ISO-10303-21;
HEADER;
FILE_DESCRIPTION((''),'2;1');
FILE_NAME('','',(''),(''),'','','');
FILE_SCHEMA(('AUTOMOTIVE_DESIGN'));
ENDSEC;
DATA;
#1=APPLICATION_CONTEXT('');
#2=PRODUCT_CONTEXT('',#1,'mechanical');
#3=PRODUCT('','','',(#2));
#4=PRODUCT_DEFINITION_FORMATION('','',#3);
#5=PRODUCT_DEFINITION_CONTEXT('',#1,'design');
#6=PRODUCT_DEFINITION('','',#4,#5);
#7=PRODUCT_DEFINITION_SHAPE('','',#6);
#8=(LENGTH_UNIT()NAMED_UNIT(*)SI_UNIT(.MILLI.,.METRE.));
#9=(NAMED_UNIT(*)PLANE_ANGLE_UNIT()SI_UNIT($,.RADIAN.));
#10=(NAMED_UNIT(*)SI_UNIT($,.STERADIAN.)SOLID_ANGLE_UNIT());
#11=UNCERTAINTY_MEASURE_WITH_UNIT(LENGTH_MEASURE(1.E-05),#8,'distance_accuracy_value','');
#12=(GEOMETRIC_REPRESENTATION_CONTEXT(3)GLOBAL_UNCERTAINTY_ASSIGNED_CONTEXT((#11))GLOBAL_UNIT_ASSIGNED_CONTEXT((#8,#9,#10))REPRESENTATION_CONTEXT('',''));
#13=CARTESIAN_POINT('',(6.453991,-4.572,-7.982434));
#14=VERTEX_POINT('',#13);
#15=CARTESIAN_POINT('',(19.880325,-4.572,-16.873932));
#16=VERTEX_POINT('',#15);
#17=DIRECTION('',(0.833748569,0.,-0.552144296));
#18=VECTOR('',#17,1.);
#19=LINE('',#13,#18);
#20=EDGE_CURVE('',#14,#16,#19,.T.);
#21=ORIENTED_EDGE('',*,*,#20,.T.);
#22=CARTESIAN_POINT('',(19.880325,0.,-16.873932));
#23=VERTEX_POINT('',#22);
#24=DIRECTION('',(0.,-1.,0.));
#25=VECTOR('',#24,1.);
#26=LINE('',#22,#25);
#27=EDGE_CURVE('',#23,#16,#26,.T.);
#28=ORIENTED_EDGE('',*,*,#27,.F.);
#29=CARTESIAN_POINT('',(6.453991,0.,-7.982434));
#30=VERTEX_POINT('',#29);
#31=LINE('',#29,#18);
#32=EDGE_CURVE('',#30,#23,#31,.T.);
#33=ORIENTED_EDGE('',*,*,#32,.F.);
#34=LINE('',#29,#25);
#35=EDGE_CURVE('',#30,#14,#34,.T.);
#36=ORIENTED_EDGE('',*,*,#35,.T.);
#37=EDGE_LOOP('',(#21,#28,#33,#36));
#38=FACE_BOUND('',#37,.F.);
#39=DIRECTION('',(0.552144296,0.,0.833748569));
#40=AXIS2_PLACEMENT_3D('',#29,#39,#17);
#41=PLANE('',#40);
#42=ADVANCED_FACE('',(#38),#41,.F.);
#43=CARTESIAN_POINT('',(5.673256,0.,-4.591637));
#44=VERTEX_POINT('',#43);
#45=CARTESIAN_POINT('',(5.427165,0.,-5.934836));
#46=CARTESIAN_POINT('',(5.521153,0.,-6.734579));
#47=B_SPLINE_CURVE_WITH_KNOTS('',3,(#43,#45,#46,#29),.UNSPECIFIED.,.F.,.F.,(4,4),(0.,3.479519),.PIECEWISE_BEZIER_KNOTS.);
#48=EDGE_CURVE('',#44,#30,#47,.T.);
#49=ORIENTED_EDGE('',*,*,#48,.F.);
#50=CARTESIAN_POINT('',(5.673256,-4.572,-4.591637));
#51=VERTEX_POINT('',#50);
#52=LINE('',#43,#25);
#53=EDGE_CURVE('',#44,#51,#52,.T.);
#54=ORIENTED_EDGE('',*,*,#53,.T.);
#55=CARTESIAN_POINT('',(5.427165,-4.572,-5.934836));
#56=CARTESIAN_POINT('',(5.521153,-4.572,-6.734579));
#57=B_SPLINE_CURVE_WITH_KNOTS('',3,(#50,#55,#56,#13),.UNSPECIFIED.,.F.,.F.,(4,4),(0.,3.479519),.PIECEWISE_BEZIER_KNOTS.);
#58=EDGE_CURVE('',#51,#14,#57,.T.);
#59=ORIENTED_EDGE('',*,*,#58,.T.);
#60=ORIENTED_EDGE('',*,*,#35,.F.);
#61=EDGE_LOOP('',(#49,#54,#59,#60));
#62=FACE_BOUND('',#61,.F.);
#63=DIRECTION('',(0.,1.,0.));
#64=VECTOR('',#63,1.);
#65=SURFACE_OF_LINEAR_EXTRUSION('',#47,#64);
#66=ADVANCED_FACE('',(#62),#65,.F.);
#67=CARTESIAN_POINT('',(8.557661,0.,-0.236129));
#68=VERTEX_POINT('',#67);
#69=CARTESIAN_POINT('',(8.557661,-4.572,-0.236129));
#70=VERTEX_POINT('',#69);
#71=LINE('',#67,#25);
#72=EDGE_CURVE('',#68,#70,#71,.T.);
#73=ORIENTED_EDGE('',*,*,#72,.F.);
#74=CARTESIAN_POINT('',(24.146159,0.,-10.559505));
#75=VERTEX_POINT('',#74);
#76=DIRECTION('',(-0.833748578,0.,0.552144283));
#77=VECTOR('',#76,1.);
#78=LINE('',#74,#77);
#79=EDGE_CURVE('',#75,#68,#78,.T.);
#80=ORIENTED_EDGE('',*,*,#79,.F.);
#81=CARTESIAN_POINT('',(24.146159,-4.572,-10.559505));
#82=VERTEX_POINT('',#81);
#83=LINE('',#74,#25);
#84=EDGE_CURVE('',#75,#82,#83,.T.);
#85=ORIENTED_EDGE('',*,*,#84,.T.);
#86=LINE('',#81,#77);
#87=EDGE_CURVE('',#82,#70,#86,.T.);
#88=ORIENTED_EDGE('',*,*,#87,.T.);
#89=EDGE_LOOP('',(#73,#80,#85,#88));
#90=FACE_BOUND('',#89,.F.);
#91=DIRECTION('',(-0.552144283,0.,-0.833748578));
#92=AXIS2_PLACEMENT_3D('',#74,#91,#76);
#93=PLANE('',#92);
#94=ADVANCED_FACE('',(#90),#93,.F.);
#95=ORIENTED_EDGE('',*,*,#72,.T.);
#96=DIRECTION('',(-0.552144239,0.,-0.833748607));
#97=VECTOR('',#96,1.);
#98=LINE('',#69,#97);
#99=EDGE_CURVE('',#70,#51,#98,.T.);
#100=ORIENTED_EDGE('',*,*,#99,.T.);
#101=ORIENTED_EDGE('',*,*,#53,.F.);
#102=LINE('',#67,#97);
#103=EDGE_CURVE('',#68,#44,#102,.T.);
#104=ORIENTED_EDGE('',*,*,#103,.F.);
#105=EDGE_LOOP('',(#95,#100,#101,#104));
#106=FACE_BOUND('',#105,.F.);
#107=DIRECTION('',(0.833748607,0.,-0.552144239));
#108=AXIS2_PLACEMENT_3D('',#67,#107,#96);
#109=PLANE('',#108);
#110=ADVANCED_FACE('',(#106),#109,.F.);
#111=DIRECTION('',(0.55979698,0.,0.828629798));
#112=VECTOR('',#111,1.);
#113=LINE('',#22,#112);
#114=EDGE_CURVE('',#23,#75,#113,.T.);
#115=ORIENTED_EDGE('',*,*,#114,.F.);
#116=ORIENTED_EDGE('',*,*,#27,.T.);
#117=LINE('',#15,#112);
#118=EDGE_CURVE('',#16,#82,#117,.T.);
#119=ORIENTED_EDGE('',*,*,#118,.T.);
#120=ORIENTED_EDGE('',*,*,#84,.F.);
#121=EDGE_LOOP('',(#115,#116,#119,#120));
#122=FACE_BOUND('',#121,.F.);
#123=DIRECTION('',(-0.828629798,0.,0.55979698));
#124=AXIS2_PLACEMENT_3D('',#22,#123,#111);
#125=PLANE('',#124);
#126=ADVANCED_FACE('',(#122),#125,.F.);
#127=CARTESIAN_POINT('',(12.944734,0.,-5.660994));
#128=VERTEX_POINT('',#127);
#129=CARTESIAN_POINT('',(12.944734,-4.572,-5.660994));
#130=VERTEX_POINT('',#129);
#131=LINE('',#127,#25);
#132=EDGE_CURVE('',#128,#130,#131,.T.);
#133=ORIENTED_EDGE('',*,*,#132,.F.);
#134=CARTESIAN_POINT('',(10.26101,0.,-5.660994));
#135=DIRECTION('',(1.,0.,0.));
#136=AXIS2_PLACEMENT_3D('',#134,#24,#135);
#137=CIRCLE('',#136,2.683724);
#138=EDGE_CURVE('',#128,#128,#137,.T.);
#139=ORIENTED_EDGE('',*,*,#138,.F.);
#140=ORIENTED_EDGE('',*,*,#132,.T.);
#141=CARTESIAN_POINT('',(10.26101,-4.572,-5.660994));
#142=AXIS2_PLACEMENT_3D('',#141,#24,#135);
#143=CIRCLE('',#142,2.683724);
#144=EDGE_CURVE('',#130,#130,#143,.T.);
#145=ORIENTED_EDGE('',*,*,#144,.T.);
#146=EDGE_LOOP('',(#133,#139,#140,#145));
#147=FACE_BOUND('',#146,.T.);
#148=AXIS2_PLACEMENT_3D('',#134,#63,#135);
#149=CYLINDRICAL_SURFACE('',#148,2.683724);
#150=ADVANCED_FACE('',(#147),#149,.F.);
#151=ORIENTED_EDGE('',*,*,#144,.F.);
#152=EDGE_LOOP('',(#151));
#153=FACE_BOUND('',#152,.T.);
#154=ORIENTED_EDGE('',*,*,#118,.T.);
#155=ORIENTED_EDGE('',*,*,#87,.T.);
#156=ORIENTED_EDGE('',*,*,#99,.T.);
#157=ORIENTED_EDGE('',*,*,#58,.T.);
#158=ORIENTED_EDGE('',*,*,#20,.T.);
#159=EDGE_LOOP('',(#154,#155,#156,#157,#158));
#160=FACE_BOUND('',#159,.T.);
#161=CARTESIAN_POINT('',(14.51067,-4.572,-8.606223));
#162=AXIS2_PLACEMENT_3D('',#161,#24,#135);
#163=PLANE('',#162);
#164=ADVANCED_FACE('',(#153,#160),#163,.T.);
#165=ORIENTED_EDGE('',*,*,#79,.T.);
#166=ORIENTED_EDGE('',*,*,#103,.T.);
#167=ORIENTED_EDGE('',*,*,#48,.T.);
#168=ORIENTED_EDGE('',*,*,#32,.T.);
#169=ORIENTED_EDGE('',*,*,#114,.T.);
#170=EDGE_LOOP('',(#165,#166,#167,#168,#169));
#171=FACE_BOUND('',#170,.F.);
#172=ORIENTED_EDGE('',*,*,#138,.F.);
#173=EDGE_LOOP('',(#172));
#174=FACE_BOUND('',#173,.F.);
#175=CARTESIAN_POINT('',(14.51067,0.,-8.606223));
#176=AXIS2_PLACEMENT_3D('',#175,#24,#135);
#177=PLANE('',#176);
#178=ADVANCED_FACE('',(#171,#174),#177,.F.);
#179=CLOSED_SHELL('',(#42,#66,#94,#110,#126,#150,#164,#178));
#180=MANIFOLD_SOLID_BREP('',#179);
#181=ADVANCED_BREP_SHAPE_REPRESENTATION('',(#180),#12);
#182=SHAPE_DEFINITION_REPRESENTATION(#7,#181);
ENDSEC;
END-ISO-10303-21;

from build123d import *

# Parameters (mm, degrees)
F0_R     = 2.683724
F1_DEPTH = 4.572


with BuildPart() as f1:
    # F0 (on Front) → F1 (new body)
    with BuildSketch(Plane.XZ):
        with BuildLine():
            Line((19.880325, -16.873932), (24.146159, -10.559505))
            Line((24.146159, -10.559505), (8.557661, -0.236129))
            Line((8.557661, -0.236129), (5.673256, -4.591637))
            add(Edge.make_bspline(
                [(5.673256, -4.591637), (5.427165, -5.934836), (5.521153, -6.734579), (6.453991, -7.982434)],
                knots=[0, 0, 0, 0, 3.479519, 3.479519, 3.479519, 3.479519], degree=3))
            Line((6.453991, -7.982434), (19.880325, -16.873932))
        make_face()
        with Locations((10.26101, -5.660994)):
            Circle(F0_R, mode=Mode.SUBTRACT)
    extrude(amount=F1_DEPTH)


solid = f1.part
